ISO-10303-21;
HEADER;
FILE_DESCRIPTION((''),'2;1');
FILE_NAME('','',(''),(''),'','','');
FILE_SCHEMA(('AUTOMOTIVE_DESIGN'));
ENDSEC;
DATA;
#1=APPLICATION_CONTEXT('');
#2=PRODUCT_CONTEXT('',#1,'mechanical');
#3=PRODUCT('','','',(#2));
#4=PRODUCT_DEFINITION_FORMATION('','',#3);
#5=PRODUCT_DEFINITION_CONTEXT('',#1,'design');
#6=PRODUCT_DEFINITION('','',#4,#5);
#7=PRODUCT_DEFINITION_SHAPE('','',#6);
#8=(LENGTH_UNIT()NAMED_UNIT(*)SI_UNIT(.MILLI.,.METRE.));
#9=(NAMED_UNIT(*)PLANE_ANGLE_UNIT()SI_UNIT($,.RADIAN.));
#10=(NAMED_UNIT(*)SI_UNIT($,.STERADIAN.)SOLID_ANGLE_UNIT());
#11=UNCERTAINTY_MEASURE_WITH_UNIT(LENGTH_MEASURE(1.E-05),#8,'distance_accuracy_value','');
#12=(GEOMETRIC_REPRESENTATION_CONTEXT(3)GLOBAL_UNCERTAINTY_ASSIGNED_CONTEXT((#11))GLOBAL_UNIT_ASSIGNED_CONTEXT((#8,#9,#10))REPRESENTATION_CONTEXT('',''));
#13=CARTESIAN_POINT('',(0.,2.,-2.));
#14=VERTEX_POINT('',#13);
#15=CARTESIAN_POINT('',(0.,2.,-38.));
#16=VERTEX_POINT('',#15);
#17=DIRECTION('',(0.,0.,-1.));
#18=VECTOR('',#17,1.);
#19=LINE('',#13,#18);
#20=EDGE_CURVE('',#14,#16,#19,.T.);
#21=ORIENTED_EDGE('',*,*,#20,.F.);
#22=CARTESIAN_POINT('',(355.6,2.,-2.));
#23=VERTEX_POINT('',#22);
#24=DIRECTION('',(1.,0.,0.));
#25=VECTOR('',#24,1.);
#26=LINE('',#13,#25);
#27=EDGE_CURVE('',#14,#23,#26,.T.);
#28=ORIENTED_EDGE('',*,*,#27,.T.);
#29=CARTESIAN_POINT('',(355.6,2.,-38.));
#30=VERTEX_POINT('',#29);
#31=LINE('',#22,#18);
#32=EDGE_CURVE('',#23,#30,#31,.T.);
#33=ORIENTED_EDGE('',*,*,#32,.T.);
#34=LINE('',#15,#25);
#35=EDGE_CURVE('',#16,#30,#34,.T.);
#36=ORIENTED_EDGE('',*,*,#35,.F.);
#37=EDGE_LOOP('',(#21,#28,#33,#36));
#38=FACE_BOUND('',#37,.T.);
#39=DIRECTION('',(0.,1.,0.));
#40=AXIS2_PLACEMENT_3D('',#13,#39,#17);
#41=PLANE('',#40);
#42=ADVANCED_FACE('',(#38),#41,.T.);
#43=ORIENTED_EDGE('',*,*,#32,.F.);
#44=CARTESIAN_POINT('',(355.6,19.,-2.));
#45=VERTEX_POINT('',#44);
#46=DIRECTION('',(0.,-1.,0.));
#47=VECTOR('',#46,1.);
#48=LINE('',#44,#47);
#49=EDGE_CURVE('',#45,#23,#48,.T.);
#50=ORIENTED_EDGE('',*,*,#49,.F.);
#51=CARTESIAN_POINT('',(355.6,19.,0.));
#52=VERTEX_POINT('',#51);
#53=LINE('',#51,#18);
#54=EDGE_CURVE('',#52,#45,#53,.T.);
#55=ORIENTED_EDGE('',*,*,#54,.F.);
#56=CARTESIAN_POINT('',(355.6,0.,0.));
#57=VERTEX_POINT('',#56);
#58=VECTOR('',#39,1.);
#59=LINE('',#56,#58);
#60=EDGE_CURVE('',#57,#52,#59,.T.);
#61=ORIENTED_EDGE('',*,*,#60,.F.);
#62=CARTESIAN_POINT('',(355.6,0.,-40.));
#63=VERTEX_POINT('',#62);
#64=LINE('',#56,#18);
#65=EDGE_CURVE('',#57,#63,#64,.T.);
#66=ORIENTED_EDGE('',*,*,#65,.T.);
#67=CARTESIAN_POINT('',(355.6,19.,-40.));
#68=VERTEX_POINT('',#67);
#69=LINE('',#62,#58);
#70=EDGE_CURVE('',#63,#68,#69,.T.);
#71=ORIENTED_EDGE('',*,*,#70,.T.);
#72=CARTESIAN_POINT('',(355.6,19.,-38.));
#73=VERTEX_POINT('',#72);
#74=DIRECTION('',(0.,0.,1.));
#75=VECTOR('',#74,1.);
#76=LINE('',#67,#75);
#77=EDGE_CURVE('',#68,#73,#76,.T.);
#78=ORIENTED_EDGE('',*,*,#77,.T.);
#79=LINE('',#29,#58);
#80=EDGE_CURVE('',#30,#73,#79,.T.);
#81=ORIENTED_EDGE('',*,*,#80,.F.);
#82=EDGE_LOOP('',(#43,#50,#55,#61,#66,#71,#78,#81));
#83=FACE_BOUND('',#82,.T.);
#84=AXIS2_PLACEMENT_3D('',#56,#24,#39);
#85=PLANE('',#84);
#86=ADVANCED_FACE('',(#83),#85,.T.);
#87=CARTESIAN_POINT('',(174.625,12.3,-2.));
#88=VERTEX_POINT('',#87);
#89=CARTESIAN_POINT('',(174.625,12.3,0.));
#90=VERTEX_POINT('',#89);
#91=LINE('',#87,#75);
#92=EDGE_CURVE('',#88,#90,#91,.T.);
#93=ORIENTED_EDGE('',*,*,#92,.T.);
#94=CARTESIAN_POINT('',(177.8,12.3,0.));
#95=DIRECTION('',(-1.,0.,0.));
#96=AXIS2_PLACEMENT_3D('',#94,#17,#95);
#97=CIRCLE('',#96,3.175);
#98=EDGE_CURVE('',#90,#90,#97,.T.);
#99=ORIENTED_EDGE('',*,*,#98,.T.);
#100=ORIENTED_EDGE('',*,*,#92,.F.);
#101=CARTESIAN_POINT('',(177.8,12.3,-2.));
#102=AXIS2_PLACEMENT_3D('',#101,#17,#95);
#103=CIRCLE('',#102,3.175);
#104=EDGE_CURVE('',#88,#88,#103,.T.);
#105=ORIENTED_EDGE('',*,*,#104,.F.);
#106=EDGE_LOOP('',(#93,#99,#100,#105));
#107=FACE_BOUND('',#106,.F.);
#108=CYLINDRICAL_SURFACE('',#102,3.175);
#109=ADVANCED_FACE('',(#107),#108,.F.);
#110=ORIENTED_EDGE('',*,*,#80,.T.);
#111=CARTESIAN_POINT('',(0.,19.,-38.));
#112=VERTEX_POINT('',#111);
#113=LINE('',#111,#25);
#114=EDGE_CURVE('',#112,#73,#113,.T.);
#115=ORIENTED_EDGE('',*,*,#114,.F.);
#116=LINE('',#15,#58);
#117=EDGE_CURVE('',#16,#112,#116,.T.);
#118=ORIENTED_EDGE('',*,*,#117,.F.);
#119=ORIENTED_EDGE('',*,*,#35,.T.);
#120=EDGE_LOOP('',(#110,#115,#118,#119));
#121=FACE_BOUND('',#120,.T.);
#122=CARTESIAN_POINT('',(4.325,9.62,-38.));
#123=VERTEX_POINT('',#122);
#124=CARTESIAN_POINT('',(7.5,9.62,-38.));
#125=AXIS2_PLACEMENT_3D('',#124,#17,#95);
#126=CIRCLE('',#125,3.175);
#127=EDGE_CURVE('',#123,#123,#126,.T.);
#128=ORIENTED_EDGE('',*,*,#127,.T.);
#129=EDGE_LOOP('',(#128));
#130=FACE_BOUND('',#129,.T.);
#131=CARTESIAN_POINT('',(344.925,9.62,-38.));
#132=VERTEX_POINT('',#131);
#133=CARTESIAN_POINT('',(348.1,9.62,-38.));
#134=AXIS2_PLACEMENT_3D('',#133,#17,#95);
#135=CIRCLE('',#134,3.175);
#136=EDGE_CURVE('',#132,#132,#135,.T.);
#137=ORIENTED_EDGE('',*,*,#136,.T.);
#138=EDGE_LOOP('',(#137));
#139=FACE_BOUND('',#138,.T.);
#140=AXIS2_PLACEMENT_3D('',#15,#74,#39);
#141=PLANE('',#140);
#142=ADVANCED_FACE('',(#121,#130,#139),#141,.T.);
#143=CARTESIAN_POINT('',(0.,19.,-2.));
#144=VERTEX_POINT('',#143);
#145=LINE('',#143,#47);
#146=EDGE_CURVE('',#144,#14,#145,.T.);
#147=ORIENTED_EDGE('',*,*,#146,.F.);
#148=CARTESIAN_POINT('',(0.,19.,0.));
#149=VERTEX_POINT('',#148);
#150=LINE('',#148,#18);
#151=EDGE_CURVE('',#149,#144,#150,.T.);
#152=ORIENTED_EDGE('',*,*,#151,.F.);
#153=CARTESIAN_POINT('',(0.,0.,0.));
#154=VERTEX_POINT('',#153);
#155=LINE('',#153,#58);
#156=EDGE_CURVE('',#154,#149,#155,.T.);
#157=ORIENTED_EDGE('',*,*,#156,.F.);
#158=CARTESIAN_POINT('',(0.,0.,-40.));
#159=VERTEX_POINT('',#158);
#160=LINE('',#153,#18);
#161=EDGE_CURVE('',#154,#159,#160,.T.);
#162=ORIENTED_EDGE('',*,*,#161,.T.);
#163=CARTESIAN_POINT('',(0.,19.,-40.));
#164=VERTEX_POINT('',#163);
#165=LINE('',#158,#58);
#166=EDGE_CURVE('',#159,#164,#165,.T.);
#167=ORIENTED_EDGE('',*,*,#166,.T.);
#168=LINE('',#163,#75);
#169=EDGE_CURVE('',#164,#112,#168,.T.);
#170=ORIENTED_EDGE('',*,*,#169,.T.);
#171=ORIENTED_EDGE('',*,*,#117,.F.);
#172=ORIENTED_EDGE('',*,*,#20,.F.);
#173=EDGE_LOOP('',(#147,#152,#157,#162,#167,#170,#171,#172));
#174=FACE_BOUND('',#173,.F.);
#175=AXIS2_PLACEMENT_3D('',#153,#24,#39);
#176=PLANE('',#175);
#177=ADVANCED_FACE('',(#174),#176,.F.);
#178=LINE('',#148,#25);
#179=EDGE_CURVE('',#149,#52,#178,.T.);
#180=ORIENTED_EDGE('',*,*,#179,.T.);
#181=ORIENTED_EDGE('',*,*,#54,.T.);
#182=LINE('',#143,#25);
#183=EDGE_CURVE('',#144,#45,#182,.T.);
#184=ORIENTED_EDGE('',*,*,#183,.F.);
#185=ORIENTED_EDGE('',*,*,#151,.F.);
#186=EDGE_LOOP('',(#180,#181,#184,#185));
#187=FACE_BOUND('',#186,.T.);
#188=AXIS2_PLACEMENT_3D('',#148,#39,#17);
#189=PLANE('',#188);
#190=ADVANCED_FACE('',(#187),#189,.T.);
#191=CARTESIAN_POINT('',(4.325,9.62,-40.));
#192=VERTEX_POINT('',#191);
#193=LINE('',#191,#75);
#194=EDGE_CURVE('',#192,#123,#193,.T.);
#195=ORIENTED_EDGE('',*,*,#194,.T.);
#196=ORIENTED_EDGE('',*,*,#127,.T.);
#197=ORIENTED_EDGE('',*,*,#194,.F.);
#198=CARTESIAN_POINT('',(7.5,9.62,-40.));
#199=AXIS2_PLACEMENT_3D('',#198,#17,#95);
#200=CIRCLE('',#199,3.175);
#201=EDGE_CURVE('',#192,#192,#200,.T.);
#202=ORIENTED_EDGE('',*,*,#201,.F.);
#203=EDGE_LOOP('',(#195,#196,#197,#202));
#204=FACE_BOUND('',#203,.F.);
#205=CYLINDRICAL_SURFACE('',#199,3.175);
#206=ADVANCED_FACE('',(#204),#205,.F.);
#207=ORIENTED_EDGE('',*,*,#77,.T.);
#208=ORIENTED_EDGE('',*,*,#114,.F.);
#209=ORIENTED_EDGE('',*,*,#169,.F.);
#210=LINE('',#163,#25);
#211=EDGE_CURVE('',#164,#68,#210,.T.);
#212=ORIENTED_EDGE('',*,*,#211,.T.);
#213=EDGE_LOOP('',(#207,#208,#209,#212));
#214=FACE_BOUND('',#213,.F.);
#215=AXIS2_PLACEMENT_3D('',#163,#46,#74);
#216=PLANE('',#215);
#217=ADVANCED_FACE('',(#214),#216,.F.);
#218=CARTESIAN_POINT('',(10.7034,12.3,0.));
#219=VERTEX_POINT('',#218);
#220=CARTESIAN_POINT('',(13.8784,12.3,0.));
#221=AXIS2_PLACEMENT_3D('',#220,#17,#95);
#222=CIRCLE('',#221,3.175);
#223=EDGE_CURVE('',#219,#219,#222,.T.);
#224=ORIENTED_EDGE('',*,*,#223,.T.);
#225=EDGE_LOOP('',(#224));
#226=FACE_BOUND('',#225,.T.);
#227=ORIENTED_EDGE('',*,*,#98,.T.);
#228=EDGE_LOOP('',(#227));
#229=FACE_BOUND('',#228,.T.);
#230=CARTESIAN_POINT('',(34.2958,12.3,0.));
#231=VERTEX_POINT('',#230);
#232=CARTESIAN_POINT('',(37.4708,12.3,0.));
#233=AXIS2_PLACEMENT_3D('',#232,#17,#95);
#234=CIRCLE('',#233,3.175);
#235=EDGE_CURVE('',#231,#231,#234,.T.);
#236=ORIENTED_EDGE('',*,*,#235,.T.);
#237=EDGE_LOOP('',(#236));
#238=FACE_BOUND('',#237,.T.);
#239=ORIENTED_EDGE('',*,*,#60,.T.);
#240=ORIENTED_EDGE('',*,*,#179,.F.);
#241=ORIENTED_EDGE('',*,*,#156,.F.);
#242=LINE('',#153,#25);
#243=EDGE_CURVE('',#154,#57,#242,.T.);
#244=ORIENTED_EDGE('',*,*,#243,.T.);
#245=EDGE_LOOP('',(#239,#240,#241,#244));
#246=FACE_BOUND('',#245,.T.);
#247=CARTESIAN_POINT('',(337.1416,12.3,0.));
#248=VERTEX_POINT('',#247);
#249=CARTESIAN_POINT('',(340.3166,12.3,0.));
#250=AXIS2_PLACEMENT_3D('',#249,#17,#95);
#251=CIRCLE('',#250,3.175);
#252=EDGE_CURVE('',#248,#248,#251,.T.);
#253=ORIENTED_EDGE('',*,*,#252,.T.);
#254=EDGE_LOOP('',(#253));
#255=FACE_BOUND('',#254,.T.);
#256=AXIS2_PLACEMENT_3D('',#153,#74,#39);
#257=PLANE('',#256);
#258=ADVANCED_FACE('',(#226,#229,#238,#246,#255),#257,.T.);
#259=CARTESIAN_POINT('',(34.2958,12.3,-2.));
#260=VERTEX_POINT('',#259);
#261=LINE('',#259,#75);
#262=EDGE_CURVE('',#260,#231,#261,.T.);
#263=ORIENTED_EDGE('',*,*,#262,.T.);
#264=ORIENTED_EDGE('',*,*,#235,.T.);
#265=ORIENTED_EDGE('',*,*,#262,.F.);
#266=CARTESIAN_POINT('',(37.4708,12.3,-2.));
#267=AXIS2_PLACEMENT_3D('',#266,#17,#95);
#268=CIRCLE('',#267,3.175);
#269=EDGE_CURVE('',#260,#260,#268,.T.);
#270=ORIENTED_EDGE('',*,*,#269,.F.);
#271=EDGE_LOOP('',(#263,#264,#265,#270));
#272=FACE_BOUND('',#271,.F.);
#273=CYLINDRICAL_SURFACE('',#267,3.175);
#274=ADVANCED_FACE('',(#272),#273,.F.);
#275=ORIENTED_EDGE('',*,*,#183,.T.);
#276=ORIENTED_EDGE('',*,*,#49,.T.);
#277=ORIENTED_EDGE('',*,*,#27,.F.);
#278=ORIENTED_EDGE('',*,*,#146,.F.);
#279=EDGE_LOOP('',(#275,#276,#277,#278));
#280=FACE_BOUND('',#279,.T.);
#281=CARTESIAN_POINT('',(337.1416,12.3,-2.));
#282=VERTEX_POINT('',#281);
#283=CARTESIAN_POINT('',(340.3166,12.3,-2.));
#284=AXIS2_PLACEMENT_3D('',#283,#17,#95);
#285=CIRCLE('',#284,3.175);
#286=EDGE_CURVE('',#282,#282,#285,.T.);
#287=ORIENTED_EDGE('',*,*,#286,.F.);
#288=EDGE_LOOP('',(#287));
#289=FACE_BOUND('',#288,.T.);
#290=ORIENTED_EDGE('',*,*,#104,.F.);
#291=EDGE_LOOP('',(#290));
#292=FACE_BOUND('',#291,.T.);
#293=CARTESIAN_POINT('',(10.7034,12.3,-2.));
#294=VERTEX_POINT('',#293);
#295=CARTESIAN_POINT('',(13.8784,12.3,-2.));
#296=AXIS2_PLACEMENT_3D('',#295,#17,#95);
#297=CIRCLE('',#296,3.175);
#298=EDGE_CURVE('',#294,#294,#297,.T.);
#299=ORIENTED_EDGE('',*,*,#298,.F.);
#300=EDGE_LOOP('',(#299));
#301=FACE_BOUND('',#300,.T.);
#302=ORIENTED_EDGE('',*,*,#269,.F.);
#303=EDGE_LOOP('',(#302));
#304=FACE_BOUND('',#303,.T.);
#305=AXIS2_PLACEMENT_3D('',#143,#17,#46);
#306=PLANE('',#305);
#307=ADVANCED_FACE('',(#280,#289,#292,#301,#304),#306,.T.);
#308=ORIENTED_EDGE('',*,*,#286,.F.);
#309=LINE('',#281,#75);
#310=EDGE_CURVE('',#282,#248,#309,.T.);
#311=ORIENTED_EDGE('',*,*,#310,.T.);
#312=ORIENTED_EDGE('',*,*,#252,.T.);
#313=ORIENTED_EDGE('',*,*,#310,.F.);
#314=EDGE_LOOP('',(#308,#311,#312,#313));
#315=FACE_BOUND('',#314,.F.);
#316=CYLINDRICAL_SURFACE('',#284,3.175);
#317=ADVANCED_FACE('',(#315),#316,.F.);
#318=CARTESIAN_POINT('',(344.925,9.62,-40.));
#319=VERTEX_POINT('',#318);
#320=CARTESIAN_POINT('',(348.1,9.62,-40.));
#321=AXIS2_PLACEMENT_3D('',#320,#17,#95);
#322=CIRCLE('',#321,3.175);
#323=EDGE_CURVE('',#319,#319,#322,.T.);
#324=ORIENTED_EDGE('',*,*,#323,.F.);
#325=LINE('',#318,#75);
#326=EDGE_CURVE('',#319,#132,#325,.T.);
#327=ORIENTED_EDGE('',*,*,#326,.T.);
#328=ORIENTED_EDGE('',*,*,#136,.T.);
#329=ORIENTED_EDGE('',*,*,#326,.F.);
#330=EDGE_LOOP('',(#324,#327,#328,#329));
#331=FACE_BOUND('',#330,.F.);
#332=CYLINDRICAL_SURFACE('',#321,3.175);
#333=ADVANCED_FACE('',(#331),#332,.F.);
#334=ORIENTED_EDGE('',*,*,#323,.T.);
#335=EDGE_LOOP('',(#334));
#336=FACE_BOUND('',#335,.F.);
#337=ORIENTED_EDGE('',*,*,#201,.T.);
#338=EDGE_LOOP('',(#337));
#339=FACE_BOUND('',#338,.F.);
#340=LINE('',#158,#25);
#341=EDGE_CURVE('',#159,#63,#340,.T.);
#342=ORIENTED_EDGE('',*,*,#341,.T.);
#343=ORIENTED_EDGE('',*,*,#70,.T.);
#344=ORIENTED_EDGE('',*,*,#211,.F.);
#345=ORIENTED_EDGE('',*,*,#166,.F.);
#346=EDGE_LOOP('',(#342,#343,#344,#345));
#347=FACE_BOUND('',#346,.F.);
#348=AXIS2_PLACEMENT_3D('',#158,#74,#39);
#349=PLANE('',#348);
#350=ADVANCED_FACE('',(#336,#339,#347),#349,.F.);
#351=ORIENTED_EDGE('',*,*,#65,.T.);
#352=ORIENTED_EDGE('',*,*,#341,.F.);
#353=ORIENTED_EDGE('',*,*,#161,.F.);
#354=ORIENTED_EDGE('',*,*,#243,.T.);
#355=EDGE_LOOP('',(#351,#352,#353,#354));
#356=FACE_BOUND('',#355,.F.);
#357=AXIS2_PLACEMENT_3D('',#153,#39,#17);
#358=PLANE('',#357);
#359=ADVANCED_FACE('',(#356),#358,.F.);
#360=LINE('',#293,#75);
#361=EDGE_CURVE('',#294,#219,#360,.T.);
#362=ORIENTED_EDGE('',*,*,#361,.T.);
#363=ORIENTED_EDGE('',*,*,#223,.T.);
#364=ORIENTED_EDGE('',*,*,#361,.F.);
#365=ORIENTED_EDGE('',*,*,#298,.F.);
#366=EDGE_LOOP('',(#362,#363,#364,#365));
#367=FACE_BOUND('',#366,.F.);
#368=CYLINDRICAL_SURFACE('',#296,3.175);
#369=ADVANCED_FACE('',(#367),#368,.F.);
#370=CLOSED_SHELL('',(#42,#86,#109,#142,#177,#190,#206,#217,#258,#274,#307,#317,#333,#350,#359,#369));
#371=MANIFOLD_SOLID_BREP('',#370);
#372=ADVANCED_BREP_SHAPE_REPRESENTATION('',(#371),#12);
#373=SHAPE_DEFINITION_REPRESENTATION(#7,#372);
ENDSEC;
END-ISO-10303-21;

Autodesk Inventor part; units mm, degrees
ref_plane "YZ Plane" through (0, 0, 0) normal (1, 0, 0) x (0, 1, 0)
ref_plane "XZ Plane" through (0, 0, 0) normal (0, 1, 0) x (-1, 0, 0)
ref_plane "XY Plane" through (0, 0, 0) normal (0, 0, 1) x (1, 0, 0)
sketch "Sketch1" plane through (0, 0, 0) normal (1, 0, 0) x (0, 1, 0)
  line L0 (0, 0) -> (0, -40)
  line L1 (0, -40) -> (19, -40)
  line L2 (19, -40) -> (19, -38)
  line L3 (0, 0) -> (19, 0)
  line L4 (19, 0) -> (19, -2)
  line L5 (0, -20) -> (2, -20) construction
  line L6 (19, -2) -> (2, -2)
  line L7 (2, -2) -> (2, -38)
  line L8 (2, -38) -> (19, -38)
  dimension "d0" = 40
  dimension "d1" = 19
  dimension "d2" = 2
  dimension "d3" = 2
  dimension "d4" = 2
extrude "Extrusion1" add sketch "Sketch1" along normal blind 355.6
sketch "Sketch2" plane through (0, 2, -2) normal (0, 0, -1) x (-1, 0, 0)
  circle A0 centre (-13.8784, 10.3) radius 3.175
  point P0 (0, -2)
extrude "Extrusion2" cut sketch "Sketch2" against normal blind 25.4
sketch "Sketch3" plane through (0, 2, -2) normal (0, 0, -1) x (-1, 0, 0)
  circle A0 centre (-13.8784, 10.3) radius 3.175
  line L0 (-355.6, 0) -> (-355.6, 17)
  line L1 (0, 17) -> (-355.6, 17)
  circle A1 centre (-37.4708, 10.3) radius 3.175
  circle A2 centre (-177.8, 10.3) radius 3.175
  circle A3 centre (-340.3166, 10.3) radius 3.175
  point P0 (0, -2)
  dimension "d9" = 6.35
  dimension "d10" = 6.35
  dimension "d11" = 6.35
extrude "Extrusion3" cut sketch "Sketch3" against normal blind 25.4 contours A1 | A2 | A3
sketch "Sketch4" plane through (0, 0, -40) normal (0, 0, -1) x (-1, 0, 0)
  circle A0 centre (-348.1, 9.62) radius 3.175
  circle A1 centre (-7.5, 9.62) radius 3.175
extrude "Extrusion4" cut sketch "Sketch4" against normal blind 25.4
properties part number "26in C-Channel (TopPlate Supports)" material "Aluminum 6061"
